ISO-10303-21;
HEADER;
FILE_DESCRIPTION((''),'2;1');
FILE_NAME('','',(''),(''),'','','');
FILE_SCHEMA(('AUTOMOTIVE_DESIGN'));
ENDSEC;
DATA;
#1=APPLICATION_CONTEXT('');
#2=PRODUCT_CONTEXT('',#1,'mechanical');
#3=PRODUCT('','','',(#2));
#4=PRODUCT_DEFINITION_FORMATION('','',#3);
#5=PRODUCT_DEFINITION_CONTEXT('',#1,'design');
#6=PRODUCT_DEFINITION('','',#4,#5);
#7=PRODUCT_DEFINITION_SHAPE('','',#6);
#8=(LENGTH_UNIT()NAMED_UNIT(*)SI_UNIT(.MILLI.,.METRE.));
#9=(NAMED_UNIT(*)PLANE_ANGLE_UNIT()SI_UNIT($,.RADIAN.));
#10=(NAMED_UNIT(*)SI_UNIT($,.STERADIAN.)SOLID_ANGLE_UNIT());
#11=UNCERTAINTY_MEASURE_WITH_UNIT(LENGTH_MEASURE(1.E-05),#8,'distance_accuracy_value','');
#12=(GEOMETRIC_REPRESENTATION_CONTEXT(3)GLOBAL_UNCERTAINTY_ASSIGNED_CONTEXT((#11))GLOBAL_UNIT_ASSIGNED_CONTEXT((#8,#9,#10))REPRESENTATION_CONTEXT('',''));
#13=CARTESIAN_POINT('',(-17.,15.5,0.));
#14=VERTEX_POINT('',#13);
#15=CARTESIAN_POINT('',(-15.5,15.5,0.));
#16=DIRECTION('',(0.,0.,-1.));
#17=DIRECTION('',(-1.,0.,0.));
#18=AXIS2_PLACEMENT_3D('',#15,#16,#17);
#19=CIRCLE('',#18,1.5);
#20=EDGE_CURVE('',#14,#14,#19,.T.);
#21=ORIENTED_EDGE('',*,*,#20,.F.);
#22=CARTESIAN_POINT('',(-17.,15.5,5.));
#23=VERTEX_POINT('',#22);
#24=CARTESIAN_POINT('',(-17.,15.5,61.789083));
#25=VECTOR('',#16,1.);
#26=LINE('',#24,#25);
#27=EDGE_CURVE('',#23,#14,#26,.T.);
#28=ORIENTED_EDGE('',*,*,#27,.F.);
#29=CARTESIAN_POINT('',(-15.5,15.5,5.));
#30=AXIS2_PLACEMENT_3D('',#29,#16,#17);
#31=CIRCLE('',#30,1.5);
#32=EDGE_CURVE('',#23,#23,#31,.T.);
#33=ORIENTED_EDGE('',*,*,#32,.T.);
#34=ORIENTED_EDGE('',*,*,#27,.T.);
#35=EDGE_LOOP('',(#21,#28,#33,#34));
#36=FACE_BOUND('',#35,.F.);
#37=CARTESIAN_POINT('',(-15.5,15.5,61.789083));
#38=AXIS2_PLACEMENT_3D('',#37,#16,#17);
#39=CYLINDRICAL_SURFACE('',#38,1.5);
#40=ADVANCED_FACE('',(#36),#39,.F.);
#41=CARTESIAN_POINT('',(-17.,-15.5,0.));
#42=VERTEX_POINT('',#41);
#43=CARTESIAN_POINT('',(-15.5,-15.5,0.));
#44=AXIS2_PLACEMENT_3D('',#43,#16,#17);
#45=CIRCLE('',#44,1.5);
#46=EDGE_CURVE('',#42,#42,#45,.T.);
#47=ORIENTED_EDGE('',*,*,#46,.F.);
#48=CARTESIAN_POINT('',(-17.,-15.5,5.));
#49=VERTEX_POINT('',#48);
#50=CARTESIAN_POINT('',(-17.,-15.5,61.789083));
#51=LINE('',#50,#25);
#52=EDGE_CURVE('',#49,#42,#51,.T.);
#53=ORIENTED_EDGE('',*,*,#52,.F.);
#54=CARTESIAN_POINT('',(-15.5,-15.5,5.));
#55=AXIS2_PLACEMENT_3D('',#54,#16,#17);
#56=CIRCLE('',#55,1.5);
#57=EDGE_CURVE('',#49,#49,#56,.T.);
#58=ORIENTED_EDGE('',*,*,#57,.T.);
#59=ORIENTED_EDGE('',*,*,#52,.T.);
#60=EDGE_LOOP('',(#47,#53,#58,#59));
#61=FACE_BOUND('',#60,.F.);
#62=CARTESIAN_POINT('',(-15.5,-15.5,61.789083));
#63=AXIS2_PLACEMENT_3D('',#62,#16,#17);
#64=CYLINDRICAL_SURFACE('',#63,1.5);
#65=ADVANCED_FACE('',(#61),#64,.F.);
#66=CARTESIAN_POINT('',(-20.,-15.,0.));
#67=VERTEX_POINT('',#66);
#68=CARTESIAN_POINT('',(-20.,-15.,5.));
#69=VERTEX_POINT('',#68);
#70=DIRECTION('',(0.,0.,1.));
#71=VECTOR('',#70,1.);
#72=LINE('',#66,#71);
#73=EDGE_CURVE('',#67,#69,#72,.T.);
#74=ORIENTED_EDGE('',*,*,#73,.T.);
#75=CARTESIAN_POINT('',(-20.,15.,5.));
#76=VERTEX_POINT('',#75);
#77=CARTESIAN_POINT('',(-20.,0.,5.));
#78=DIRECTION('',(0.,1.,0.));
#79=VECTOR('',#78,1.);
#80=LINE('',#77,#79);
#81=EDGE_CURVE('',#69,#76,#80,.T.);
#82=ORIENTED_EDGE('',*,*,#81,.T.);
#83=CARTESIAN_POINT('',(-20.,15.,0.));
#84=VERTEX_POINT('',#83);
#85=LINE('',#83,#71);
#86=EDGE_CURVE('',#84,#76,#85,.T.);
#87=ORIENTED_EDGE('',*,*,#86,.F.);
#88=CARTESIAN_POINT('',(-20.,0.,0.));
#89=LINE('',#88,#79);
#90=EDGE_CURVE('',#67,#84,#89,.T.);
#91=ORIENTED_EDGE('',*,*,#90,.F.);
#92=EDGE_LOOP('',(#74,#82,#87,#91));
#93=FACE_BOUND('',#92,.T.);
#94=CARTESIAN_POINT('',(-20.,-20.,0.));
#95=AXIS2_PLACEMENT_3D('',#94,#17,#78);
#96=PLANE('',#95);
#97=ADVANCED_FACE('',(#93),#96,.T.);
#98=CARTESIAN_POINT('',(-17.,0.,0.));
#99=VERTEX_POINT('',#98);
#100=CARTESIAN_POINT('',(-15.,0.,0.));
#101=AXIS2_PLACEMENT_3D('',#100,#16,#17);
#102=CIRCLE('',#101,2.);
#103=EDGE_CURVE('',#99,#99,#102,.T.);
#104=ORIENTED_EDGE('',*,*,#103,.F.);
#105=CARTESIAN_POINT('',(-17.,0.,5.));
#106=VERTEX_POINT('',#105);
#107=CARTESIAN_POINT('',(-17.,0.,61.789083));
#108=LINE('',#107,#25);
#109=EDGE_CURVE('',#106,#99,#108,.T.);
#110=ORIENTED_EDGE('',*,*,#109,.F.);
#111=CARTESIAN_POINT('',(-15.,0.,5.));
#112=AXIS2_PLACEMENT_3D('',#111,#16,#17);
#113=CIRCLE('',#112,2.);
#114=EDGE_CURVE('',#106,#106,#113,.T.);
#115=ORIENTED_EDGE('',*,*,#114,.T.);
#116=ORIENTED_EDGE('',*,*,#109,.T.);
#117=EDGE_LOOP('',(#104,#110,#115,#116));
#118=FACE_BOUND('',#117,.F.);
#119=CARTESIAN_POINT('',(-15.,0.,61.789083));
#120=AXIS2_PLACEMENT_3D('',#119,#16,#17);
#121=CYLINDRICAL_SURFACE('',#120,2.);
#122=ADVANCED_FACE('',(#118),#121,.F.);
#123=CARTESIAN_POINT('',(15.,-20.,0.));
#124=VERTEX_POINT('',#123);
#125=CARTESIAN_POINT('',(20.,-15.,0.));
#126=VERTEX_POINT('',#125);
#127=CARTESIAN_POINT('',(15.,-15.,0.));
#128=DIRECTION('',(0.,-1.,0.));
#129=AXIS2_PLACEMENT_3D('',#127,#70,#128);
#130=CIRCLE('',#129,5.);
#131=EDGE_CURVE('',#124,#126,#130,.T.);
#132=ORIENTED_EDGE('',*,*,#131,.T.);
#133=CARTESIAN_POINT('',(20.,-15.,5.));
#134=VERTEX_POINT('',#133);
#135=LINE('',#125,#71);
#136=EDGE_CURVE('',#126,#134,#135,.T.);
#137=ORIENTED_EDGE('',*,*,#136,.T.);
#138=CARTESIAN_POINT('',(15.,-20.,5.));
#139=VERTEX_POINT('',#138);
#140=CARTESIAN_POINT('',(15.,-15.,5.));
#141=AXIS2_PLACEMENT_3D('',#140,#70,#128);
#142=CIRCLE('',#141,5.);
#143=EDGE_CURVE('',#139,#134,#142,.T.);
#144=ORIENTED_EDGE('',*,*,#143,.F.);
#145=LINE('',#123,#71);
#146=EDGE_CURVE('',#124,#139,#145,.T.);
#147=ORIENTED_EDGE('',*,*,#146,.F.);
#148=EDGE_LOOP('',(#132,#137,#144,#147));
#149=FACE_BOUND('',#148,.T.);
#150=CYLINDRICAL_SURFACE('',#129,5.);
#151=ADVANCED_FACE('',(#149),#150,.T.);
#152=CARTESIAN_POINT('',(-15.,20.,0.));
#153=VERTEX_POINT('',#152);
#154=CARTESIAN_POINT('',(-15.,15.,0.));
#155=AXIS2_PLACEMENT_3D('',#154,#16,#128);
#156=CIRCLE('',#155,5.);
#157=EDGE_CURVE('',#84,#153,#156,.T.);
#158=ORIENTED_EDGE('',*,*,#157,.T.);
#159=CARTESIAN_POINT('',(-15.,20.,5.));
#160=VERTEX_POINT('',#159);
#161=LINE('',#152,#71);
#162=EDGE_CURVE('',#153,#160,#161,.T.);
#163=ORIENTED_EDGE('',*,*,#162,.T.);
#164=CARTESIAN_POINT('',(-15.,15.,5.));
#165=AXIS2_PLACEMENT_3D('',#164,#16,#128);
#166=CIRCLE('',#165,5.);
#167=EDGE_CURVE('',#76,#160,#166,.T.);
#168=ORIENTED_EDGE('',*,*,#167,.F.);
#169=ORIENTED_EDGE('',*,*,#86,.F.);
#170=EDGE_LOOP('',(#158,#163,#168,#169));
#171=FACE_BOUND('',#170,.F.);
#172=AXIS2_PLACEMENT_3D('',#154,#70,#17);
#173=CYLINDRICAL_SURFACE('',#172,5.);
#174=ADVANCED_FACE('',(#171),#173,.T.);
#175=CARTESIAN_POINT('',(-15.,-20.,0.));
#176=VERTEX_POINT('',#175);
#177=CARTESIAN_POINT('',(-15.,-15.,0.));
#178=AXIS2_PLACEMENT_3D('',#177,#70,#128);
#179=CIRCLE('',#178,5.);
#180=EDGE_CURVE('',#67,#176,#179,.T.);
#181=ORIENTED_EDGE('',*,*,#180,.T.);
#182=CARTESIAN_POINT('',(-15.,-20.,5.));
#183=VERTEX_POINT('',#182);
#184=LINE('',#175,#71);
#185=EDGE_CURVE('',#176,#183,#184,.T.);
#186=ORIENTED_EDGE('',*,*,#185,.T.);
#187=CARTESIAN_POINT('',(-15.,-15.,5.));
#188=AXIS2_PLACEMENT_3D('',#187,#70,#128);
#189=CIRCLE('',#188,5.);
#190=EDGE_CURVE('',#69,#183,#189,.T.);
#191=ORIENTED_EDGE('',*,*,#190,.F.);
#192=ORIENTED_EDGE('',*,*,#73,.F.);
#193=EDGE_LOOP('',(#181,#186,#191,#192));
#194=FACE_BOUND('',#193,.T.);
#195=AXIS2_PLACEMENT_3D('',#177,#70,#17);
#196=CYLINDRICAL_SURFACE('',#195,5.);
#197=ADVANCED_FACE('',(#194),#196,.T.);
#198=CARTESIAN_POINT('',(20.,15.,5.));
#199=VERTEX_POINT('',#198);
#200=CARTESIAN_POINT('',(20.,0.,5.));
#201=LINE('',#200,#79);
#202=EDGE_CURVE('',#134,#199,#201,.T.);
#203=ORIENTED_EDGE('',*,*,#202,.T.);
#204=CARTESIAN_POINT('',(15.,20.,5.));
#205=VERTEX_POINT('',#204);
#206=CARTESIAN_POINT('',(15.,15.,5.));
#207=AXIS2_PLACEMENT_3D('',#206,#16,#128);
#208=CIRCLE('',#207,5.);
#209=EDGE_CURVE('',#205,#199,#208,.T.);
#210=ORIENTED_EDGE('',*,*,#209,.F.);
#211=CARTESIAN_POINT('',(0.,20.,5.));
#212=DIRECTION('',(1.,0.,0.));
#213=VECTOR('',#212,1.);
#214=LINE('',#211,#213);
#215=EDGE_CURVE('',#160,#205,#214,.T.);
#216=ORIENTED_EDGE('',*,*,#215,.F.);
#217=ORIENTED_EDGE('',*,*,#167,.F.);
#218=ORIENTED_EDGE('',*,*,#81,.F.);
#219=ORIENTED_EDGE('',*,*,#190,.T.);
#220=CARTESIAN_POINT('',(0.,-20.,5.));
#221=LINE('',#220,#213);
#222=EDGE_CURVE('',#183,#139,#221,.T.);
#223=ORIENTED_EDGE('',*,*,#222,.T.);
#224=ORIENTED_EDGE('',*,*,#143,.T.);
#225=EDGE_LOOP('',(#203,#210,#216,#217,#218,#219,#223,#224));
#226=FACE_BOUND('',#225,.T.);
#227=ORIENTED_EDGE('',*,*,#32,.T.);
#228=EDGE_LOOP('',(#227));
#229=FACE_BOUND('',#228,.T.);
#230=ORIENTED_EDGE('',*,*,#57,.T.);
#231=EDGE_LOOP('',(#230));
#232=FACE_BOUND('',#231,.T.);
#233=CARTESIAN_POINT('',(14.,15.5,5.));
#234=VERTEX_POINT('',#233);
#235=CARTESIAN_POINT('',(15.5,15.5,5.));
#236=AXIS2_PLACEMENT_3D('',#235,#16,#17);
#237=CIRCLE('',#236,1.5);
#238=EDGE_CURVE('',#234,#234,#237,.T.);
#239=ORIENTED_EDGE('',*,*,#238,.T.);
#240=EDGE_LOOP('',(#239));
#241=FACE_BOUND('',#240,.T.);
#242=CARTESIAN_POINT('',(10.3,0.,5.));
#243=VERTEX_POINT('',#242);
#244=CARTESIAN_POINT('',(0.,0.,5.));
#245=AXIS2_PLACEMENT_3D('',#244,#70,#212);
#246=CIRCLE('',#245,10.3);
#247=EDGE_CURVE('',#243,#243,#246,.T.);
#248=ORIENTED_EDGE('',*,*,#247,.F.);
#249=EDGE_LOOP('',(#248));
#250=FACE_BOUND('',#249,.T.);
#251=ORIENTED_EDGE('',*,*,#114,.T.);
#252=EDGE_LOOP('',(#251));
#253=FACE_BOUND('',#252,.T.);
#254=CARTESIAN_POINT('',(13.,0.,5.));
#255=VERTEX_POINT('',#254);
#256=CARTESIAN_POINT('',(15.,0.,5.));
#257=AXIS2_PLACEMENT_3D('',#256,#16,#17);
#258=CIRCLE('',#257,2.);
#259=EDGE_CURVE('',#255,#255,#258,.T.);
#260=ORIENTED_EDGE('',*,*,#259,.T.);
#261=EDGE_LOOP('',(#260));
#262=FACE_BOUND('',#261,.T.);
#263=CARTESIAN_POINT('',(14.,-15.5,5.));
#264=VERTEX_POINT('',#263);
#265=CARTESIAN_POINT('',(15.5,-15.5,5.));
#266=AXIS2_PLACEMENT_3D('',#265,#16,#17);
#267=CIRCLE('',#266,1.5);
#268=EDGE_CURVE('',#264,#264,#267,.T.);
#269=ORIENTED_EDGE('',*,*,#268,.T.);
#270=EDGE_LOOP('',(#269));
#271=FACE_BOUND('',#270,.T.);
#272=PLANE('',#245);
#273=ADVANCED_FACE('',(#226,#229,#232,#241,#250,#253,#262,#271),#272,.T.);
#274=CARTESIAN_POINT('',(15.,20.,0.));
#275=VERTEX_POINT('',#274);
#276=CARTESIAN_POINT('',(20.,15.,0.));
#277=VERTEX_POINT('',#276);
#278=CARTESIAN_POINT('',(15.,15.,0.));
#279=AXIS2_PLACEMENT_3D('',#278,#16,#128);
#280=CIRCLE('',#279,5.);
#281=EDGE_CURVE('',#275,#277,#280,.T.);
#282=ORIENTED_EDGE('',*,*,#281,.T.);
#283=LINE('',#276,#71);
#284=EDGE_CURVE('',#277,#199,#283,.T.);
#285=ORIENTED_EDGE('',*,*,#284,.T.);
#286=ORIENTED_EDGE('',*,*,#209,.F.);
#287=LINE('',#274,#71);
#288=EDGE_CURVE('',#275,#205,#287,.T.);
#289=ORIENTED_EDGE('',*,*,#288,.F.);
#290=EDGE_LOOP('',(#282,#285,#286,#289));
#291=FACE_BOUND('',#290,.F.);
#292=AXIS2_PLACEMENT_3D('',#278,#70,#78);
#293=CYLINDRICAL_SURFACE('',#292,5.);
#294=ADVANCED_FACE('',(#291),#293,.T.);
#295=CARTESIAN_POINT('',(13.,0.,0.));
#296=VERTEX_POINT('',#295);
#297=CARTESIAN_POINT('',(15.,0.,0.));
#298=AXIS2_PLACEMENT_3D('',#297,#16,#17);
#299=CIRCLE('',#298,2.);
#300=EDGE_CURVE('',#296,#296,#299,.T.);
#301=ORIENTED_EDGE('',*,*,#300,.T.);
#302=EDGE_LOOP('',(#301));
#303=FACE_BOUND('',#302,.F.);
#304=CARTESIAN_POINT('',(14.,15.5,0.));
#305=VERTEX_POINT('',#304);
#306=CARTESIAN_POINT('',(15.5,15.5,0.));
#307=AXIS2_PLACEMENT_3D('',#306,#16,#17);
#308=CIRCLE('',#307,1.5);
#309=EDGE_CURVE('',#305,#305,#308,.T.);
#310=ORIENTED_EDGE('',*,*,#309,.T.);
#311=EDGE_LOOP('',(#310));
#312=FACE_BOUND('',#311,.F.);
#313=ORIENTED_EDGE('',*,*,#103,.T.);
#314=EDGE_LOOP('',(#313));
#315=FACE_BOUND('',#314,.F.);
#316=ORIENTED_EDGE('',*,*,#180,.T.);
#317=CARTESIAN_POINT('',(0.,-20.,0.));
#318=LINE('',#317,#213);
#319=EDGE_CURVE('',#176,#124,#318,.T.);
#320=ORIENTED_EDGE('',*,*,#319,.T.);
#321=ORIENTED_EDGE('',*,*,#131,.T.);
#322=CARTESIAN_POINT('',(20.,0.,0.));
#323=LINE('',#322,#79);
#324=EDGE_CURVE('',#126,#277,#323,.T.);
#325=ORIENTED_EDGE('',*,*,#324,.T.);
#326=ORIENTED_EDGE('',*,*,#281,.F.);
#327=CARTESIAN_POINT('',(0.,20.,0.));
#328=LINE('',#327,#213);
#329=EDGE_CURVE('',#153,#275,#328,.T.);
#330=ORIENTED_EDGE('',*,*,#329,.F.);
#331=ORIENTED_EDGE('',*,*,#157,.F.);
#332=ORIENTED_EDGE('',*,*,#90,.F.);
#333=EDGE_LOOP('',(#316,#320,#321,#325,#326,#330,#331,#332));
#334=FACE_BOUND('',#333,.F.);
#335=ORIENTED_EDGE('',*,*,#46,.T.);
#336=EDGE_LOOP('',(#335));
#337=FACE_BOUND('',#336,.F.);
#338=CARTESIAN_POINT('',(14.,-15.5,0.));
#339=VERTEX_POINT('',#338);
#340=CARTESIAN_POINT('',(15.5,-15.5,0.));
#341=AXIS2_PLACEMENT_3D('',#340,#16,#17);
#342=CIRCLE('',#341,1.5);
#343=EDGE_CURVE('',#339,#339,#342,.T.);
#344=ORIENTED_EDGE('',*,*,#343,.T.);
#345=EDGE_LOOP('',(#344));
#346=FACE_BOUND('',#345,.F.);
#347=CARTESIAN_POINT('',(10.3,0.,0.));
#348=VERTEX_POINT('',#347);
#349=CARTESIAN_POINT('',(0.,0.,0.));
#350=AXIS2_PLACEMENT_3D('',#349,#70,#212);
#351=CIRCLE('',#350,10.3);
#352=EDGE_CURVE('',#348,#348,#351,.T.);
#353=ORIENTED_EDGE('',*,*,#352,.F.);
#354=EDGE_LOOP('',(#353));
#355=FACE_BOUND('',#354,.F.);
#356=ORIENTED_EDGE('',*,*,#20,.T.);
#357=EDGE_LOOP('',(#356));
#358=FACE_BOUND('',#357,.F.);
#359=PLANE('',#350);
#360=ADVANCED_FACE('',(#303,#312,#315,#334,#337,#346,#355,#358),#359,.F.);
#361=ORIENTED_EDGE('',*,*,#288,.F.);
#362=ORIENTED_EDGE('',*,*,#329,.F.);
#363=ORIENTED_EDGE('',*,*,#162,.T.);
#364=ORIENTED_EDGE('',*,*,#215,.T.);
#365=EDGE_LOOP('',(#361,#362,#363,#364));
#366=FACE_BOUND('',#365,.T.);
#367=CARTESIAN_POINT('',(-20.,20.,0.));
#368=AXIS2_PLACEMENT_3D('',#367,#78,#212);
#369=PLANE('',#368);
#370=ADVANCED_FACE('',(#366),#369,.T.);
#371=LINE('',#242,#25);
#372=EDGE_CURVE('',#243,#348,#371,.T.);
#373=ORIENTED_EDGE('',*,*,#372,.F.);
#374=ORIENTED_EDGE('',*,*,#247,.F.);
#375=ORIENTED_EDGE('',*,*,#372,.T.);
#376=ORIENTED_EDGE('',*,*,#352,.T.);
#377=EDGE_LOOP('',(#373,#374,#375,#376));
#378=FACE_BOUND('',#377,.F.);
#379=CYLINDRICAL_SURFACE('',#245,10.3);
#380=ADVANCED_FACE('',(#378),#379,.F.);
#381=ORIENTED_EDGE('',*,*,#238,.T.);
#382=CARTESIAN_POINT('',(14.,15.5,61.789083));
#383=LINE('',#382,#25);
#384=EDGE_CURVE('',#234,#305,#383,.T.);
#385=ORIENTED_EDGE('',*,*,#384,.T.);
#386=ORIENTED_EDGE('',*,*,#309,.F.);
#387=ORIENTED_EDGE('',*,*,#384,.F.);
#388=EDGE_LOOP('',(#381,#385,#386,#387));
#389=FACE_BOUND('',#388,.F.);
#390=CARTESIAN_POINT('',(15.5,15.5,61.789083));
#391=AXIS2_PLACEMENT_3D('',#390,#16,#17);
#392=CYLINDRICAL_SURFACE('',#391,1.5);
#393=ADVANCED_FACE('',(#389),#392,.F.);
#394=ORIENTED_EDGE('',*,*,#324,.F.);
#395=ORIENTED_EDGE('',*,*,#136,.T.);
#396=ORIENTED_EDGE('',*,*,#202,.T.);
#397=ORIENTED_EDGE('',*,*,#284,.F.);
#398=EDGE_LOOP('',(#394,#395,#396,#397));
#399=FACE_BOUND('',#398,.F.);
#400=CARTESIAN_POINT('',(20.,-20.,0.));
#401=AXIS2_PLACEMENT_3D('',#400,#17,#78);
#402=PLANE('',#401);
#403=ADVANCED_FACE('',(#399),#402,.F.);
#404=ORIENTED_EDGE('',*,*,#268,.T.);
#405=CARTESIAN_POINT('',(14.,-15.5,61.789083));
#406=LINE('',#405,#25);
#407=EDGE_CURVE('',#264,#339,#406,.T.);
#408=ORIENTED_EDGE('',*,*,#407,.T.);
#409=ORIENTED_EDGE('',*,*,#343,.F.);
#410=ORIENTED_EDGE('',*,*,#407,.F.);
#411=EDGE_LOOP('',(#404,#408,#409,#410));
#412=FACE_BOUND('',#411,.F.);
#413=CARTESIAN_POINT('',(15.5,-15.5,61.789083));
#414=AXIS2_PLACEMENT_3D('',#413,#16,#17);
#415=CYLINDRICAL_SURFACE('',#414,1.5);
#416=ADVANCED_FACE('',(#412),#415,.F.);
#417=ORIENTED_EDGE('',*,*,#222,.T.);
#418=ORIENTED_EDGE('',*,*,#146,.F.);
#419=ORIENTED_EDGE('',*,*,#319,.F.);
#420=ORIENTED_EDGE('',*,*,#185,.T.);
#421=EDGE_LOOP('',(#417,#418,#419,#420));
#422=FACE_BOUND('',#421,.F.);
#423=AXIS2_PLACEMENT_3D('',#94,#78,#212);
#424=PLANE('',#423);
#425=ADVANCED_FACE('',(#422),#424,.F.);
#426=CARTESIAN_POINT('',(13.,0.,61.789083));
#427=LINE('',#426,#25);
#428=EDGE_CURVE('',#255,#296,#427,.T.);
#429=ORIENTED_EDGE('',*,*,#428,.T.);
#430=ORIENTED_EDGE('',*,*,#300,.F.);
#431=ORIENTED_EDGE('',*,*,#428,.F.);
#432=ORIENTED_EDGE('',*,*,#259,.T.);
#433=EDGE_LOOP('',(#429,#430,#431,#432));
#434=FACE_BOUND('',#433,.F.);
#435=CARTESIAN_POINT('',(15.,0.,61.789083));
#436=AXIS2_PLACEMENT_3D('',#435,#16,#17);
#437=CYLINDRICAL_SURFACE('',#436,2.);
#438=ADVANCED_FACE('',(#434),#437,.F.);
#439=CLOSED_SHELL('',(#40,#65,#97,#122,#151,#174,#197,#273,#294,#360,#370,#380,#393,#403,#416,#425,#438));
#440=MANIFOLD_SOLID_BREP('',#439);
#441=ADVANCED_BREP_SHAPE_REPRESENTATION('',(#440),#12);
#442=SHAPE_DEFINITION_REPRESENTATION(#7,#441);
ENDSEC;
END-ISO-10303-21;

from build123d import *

# Parameters (mm, degrees)
F0_W     = 40
F0_H     = 40
F1_DEPTH = 5
F2_R     = 10.3
F3_DEPTH = 5.001
F6_D     = 3
F7_D     = 4
F8_R     = 5


with BuildPart() as f1:
    # F0 (on Top) → F1 (new body)
    with BuildSketch(Plane.XY):
        Rectangle(F0_W, F0_H)
    extrude(amount=F1_DEPTH)

    # F2 (on face) → F3 (cut, through all)
    with BuildSketch(Plane.XY.offset(5)):
        Circle(F2_R)
    extrude(amount=-F3_DEPTH, mode=Mode.SUBTRACT)

    # F6 (through all)
    with Locations(Plane.XY.offset(5)):
        with Locations((-15.5, 15.5), (15.5, 15.5), (15.5, -15.5), (-15.5, -15.5)):
            Hole(F6_D / 2)

    # F7 (through all)
    with Locations(Plane.XY.offset(5)):
        with Locations((-15, 0), (15, 0)):
            Hole(F7_D / 2)

    # F8
    f8_edges = [f1.edges().sort_by_distance(p)[0] for p in [
        (-20, 20, 2.5),
        (20, 20, 2.5),
        (-20, -20, 2.5),
        (20, -20, 2.5),
    ]]
    fillet(f8_edges, radius=F8_R)


solid = f1.part
